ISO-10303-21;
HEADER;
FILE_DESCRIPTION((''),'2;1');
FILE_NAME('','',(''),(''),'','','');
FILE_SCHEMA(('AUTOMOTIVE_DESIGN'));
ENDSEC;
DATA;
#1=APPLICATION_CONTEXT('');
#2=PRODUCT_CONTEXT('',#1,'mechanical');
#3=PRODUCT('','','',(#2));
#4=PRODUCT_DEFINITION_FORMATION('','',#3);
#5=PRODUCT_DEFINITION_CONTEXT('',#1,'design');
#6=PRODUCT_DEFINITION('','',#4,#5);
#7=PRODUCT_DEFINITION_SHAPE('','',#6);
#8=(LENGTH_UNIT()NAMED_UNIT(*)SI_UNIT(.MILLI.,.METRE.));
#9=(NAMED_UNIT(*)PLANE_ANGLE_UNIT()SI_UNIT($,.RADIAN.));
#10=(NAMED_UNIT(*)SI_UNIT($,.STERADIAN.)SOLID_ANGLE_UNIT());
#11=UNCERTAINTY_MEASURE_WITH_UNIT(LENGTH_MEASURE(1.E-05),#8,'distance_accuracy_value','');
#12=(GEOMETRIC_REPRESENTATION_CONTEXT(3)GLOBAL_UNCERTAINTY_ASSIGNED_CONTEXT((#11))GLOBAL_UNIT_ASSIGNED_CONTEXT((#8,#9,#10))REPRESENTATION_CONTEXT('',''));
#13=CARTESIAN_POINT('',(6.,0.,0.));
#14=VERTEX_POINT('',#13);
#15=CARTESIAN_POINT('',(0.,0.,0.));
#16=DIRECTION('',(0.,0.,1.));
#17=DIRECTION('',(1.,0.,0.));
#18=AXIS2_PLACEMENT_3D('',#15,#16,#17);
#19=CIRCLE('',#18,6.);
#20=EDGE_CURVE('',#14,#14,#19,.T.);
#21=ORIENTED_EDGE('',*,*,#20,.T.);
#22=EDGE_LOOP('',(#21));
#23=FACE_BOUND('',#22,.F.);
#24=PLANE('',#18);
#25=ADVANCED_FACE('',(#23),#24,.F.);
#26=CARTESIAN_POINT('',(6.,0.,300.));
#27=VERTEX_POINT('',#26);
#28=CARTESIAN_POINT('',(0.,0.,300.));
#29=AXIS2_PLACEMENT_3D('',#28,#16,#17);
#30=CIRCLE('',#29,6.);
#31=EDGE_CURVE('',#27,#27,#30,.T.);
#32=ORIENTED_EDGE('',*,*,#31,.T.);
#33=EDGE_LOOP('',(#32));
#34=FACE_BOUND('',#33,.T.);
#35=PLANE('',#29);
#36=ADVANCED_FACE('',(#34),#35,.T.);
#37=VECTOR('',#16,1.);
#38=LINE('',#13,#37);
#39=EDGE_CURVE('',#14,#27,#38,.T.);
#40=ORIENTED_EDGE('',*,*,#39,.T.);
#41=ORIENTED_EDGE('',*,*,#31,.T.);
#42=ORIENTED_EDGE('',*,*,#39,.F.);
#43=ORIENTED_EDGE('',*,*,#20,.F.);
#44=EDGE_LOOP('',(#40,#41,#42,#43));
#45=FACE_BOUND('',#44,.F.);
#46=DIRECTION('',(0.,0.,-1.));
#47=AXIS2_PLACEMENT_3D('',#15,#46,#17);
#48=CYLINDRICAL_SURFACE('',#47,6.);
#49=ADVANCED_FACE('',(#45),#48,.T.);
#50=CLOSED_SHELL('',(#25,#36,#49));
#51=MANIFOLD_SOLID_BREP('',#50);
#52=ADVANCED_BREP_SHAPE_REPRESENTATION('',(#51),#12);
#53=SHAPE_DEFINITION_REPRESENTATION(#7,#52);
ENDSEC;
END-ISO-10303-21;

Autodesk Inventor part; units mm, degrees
ref_plane "YZ Plane" through (0, 0, 0) normal (1, 0, 0) x (0, 1, 0)
ref_plane "XZ Plane" through (0, 0, 0) normal (0, 1, 0) x (-1, 0, 0)
ref_plane "XY Plane" through (0, 0, 0) normal (0, 0, 1) x (1, 0, 0)
sketch "Sketch1" plane through (0, 0, 0) normal (0, 0, 1) x (1, 0, 0)
  circle A0 centre (0, 0) radius 6
  dimension "d0" = 12
extrude "Extrusion1" add sketch "Sketch1" along normal blind 300
thread "Thread1" size "M12x1.75" class "6g" standard "ANSI Metric M Profile" full length
properties part number "Rod" material "Steel"
